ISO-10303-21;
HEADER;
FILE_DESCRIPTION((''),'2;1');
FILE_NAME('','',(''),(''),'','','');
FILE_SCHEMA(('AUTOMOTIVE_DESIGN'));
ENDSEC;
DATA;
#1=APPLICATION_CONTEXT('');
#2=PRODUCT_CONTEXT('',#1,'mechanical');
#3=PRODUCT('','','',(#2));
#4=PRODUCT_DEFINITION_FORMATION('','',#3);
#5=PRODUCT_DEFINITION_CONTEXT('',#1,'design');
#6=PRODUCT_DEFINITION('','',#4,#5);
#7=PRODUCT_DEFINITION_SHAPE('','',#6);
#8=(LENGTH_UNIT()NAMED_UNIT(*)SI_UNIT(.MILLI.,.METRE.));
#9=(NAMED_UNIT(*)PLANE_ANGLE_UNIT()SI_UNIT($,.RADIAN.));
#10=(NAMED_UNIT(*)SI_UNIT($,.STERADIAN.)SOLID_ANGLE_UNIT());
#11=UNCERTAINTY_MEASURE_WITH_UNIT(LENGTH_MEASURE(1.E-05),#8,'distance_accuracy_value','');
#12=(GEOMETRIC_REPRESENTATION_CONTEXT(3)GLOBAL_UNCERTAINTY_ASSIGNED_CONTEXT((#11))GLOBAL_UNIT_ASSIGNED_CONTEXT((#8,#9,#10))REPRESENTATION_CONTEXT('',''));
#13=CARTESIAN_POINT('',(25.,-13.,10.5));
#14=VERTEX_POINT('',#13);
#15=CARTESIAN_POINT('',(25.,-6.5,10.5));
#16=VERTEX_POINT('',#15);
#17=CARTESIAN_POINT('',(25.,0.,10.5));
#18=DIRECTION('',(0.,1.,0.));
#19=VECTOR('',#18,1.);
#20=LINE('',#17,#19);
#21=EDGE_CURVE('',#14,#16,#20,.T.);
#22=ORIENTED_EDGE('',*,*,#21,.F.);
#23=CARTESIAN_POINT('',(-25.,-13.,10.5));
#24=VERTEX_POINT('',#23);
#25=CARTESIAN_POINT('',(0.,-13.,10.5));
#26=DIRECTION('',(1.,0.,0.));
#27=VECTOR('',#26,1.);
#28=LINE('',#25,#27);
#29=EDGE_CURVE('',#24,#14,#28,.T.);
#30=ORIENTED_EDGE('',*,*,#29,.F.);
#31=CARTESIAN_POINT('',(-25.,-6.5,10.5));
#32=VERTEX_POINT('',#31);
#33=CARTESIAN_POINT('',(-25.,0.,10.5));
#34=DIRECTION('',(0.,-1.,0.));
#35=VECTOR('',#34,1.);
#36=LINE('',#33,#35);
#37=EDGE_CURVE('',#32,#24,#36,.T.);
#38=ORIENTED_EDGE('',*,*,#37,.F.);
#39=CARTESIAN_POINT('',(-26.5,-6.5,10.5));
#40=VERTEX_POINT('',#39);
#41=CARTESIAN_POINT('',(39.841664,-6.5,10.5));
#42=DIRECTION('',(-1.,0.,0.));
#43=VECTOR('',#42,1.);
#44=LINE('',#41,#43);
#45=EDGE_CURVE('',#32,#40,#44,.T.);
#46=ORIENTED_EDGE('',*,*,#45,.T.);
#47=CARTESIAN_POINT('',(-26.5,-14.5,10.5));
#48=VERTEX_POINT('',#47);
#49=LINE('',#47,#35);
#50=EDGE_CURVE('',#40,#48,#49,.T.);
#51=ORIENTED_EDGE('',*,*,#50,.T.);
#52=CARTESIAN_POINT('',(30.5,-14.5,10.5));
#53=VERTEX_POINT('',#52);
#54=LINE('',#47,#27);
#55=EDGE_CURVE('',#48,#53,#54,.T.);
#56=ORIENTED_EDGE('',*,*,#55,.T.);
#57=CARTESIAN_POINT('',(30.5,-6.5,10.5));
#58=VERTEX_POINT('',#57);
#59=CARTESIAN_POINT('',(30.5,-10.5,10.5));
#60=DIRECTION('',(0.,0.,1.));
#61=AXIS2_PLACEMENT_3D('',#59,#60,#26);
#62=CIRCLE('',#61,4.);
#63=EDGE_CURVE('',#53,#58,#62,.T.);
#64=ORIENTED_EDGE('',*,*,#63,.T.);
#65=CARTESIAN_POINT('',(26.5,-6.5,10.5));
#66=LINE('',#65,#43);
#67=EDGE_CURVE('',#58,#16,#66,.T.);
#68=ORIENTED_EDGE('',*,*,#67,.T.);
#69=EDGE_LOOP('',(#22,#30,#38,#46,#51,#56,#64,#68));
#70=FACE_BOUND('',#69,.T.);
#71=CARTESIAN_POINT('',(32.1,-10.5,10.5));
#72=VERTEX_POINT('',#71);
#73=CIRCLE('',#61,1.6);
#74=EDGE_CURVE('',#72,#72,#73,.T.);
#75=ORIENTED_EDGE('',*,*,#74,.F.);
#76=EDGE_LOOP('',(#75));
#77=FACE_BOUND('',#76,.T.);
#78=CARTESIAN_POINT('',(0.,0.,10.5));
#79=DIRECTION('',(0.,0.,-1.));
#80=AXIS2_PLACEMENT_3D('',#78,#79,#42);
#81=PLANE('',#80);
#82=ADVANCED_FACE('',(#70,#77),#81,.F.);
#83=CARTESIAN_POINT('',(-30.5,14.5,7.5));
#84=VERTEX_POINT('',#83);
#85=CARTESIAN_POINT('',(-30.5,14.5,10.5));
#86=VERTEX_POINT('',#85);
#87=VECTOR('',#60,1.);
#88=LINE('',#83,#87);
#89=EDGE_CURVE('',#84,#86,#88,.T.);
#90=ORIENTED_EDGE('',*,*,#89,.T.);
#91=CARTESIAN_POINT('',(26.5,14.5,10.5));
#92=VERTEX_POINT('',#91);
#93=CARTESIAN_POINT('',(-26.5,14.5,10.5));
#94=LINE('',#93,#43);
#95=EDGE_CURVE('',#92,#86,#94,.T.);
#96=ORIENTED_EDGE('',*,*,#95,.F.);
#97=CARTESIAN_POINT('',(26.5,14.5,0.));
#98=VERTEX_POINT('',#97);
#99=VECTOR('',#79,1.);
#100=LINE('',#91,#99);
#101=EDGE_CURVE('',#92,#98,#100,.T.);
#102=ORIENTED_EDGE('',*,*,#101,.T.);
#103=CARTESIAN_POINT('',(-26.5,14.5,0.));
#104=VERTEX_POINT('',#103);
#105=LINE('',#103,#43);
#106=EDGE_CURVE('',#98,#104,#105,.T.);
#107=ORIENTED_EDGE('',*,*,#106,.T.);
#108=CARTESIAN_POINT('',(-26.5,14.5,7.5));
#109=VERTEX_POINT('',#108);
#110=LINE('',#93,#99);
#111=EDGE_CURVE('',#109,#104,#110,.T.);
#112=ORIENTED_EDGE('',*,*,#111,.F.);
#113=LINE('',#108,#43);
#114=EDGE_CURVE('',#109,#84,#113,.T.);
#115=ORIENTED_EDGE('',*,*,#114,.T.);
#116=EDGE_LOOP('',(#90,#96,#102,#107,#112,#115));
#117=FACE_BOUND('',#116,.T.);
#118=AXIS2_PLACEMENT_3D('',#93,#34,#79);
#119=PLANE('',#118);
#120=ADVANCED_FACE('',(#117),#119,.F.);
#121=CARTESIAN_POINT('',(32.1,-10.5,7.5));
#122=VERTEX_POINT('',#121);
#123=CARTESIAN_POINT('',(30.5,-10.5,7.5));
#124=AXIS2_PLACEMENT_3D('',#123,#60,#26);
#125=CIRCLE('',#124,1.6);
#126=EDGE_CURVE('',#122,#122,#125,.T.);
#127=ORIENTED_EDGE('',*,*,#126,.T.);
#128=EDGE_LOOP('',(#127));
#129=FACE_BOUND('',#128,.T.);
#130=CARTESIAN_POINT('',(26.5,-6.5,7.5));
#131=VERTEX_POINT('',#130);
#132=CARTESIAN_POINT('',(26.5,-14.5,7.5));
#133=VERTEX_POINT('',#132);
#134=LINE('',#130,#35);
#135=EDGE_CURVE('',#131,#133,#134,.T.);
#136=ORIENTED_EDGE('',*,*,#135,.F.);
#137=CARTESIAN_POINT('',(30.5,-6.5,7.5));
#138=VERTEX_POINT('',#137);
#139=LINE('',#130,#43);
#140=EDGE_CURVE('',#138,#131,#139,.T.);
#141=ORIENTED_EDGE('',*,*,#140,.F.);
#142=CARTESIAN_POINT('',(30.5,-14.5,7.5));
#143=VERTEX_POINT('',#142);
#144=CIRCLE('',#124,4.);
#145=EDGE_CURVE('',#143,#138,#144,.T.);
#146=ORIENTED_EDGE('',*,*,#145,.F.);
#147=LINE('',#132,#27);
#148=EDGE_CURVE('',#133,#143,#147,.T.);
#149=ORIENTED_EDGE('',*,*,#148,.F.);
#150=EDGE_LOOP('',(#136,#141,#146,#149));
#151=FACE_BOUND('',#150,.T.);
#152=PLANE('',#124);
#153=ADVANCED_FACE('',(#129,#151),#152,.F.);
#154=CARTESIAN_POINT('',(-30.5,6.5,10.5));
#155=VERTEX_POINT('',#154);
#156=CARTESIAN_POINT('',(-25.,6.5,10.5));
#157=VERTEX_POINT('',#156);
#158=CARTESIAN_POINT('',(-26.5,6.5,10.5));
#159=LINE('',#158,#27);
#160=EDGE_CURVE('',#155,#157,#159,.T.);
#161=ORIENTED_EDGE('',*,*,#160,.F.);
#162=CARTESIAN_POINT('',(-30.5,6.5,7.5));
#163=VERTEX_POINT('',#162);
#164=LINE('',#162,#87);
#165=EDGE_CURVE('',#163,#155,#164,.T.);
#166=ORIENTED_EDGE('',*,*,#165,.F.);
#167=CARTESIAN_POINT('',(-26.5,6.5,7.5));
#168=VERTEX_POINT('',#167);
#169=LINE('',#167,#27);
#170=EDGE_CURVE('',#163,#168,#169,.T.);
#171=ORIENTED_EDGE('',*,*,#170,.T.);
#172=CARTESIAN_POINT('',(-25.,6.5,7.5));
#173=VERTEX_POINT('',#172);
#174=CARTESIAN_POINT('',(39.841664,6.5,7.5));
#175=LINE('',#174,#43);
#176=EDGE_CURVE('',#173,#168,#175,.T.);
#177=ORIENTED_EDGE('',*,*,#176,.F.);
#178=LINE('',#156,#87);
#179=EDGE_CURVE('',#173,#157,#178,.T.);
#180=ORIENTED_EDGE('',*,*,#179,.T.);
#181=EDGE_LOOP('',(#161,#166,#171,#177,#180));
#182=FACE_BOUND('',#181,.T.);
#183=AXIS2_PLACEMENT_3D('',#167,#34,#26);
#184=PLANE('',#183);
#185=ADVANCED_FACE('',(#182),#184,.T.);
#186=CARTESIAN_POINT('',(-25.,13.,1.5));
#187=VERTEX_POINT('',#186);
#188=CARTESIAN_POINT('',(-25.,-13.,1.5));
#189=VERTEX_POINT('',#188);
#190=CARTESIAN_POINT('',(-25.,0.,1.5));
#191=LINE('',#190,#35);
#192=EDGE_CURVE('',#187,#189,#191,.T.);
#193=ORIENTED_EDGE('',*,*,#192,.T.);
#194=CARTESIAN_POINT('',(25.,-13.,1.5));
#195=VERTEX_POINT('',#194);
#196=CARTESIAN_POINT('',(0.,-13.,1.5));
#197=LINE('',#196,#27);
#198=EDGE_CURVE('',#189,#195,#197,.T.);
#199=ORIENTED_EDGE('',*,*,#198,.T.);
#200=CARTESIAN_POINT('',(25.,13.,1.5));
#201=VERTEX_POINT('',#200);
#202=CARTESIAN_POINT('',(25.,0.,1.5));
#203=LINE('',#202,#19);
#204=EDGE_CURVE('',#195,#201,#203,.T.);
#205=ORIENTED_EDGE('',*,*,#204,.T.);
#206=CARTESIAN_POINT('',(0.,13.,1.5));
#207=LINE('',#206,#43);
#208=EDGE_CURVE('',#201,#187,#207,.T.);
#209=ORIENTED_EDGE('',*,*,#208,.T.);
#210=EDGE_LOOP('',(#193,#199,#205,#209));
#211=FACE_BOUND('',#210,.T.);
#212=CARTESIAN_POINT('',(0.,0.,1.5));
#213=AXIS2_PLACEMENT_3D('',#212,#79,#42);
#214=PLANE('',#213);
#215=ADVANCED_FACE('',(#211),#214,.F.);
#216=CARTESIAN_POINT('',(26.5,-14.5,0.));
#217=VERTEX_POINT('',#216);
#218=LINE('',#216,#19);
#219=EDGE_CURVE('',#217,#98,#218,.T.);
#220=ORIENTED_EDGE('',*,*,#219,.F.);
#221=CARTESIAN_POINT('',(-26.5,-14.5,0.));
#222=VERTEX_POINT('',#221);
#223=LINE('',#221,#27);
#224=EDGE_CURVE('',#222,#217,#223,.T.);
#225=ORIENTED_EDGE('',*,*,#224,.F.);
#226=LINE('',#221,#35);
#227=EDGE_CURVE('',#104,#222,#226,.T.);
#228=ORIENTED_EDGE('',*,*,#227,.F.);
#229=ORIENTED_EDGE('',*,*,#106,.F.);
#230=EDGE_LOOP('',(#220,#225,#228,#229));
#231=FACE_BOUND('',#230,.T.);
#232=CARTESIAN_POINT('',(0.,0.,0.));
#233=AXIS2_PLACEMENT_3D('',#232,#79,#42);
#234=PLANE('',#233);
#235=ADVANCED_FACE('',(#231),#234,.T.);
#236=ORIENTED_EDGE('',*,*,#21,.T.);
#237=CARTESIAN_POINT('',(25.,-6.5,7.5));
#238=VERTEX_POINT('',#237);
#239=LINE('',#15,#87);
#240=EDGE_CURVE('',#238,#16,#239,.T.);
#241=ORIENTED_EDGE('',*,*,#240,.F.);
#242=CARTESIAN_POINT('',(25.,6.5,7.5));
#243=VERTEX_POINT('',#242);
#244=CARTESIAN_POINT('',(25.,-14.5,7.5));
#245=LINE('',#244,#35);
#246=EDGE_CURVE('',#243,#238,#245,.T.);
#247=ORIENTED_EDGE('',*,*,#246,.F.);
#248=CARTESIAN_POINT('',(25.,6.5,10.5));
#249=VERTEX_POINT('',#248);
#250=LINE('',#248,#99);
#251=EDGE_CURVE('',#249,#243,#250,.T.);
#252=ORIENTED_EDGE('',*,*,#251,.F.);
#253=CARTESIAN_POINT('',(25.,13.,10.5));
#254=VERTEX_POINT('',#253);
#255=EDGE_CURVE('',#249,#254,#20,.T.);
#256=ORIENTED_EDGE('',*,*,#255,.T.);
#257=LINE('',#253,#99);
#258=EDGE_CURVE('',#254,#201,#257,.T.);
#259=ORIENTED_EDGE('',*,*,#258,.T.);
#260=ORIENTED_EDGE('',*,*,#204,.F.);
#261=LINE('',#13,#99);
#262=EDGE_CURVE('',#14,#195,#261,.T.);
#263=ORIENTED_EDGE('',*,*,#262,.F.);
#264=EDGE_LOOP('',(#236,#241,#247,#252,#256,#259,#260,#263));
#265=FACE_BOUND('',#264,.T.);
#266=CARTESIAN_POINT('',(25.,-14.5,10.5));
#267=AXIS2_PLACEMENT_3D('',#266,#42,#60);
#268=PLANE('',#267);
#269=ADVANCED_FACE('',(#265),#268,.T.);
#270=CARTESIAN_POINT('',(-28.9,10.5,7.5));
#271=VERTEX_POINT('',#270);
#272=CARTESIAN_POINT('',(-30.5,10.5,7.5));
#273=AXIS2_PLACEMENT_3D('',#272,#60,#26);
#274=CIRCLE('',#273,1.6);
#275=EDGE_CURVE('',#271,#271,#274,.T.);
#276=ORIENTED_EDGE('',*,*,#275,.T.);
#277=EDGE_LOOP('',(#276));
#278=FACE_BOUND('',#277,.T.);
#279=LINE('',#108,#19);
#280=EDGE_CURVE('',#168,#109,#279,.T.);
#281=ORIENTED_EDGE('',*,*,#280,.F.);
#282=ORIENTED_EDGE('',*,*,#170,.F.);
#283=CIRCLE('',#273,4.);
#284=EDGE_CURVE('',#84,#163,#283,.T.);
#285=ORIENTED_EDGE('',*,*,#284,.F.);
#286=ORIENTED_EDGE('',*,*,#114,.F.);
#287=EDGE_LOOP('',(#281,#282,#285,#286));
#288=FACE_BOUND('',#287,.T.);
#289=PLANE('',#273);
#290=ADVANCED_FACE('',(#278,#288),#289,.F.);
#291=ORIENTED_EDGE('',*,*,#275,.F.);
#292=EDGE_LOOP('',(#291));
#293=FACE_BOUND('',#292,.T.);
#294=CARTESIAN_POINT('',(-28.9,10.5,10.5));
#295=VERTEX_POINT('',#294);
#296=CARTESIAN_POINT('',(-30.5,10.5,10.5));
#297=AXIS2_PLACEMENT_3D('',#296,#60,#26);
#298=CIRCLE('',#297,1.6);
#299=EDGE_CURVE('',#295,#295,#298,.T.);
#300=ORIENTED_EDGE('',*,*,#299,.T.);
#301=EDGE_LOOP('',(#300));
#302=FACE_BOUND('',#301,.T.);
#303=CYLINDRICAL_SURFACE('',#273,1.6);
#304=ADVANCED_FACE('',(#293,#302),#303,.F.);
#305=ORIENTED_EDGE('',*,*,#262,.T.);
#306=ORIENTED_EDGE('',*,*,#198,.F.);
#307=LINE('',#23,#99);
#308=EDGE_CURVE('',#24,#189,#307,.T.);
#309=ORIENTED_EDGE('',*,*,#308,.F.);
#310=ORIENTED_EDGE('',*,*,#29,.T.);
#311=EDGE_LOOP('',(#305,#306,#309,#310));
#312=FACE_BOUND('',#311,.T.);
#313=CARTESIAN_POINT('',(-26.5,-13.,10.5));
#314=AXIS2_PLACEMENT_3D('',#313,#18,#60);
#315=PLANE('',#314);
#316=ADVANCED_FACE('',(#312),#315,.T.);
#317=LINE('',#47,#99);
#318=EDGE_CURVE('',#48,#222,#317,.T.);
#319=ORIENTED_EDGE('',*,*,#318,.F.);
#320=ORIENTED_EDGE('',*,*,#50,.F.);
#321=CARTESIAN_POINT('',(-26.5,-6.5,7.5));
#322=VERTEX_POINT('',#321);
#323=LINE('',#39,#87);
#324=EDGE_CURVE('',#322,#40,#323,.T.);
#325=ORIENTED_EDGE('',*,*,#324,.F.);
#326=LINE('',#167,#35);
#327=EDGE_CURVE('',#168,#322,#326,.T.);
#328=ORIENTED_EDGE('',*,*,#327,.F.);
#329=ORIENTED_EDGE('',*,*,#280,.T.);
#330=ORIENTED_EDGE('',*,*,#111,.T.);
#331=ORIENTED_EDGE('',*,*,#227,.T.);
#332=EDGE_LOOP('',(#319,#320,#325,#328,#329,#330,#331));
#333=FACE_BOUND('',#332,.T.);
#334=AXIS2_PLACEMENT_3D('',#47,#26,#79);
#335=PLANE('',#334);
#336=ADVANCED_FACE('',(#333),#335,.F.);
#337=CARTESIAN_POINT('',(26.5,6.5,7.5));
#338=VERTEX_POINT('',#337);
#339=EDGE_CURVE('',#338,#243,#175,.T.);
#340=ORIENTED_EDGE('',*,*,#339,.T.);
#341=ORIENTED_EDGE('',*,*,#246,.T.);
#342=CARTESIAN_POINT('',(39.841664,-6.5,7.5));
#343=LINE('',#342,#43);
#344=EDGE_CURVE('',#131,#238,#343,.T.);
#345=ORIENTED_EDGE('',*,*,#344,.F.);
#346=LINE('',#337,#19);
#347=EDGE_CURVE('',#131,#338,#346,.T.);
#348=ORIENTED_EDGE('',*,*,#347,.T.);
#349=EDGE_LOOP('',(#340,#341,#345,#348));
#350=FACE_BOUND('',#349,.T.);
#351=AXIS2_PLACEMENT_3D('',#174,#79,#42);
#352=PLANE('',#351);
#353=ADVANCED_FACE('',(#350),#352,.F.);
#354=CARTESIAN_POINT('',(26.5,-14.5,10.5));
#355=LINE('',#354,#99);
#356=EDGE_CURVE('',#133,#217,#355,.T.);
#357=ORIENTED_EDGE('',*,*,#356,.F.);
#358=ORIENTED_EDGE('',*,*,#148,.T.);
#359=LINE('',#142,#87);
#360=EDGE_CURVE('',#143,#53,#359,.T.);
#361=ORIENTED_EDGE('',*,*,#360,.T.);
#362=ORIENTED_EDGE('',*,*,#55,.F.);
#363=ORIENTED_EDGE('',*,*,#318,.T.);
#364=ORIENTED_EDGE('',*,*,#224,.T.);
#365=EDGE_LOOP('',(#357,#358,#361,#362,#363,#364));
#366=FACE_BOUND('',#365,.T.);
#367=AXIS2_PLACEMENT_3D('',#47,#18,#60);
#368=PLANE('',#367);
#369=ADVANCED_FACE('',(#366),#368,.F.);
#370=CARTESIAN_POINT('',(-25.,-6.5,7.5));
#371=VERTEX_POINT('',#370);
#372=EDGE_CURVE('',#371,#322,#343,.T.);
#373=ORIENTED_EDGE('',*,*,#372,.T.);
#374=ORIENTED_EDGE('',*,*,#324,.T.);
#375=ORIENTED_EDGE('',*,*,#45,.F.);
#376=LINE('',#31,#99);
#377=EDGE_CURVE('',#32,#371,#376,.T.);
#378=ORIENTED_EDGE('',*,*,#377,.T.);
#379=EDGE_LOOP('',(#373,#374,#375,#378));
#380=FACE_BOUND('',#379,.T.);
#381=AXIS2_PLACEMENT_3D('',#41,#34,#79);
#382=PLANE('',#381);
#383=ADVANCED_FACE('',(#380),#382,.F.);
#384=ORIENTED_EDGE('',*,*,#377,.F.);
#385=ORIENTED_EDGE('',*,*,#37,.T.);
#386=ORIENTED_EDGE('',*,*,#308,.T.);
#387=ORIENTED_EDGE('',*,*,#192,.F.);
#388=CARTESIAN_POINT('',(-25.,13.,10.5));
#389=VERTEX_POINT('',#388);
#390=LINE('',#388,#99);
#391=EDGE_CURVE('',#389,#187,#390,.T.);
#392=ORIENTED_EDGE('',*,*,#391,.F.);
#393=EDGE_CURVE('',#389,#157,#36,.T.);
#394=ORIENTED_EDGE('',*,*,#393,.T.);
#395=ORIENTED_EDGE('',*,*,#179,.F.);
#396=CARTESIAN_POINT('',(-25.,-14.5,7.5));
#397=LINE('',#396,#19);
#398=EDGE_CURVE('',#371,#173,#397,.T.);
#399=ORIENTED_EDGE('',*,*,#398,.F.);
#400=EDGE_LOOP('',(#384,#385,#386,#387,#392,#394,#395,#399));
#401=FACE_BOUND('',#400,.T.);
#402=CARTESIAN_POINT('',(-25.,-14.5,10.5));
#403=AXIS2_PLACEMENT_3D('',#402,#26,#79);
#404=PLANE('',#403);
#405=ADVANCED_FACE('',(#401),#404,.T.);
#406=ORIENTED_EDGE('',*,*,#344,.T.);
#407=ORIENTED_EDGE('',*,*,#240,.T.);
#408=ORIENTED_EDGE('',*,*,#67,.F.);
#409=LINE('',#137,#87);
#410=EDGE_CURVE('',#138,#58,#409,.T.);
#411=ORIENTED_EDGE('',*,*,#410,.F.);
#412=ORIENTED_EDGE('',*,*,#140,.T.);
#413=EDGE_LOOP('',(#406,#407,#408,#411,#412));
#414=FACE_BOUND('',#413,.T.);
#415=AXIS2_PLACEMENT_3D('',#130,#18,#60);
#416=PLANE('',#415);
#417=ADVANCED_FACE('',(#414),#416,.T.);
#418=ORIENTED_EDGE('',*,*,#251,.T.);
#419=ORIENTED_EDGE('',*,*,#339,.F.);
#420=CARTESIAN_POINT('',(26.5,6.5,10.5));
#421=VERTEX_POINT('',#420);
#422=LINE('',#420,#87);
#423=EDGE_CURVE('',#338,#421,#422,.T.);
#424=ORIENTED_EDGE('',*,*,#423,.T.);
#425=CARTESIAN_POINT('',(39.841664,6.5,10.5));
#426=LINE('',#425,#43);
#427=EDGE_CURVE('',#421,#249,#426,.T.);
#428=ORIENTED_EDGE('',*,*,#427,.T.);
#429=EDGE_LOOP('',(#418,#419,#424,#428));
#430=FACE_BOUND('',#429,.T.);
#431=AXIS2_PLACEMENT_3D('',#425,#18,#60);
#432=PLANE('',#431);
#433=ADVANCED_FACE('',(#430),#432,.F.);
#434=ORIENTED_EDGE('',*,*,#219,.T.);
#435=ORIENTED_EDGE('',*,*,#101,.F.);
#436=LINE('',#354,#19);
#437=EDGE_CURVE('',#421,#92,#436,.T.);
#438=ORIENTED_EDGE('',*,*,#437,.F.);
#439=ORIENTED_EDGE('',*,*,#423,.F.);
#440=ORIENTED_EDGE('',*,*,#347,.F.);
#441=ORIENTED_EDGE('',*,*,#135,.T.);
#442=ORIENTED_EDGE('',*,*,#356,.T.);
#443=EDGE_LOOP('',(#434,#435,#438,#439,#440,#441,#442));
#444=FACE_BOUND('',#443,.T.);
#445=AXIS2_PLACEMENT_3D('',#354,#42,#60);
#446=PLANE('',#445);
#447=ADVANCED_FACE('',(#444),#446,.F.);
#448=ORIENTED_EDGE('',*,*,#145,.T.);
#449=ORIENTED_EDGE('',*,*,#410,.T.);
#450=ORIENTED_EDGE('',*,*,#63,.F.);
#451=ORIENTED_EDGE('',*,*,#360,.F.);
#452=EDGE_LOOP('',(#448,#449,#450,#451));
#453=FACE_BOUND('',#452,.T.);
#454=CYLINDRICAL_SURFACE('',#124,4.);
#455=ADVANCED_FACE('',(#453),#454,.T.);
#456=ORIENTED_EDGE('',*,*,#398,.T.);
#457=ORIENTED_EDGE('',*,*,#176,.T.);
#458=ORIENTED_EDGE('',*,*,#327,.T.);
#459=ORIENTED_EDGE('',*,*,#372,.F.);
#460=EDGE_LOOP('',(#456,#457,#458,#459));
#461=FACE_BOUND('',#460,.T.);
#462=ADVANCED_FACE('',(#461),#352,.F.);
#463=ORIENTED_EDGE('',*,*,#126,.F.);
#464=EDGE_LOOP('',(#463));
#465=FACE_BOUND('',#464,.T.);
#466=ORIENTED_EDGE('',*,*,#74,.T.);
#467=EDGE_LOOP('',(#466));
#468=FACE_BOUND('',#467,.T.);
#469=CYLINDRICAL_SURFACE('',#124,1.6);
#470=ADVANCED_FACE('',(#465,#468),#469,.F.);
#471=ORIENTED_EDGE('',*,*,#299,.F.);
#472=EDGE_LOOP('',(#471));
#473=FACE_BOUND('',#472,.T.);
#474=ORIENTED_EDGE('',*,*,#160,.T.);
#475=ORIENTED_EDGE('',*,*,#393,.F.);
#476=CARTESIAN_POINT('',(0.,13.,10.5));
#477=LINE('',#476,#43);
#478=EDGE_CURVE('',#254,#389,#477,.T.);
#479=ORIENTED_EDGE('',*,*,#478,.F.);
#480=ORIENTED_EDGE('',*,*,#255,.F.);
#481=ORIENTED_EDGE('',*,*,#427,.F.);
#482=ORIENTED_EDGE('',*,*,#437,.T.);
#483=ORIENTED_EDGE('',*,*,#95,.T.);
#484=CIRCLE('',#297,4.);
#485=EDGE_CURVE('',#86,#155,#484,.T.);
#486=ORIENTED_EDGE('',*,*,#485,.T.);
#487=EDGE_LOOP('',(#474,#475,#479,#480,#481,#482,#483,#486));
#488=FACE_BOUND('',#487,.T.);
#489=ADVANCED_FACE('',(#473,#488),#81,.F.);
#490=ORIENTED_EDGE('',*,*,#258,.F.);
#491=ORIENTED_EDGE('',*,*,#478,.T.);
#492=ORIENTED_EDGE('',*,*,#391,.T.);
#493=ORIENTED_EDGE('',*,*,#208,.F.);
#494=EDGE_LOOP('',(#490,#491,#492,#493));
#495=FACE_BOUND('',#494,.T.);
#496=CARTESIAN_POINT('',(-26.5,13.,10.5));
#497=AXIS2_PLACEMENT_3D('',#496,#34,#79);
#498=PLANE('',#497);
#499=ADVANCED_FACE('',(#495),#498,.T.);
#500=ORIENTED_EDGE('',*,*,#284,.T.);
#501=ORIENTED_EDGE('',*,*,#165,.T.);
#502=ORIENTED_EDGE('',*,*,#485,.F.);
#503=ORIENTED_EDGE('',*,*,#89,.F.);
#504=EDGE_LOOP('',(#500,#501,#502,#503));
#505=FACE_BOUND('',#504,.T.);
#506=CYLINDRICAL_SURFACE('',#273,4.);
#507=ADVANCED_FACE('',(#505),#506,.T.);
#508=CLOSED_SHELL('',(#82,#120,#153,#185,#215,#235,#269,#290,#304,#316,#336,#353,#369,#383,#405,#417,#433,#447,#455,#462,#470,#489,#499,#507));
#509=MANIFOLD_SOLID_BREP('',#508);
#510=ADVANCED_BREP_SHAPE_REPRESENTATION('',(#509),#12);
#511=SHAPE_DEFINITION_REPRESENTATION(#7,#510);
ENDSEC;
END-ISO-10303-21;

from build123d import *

# Parameters (mm, degrees)
SKETCH_1_W          = 53
SKETCH_1_H          = 29
EXTRUDE_1_DEPTH     = 10.5
SHELL_1_T           = -1.5
SKETCH_3_R          = 1.6
EXTRUDE_2_DEPTH     = 3
SKETCH_4_W          = 3
SKETCH_4_H          = 13
CUT_EXTRUDE_1_DEPTH = 53


with BuildPart() as part:
    # 草图1 → 凸台-拉伸1 (new body)
    with BuildSketch(Plane.XY):
        Rectangle(SKETCH_1_W, SKETCH_1_H)
    extrude(amount=EXTRUDE_1_DEPTH)

    # 抽壳1
    shell_1_openings = [part.faces().sort_by_distance(p)[0] for p in [
        (0, 0, 10.5),
    ]]
    offset(amount=SHELL_1_T, openings=shell_1_openings, kind=Kind.INTERSECTION)

    # 草图3 → 凸台-拉伸2 (add)
    # profile 1 of 2: a face of its own
    with BuildSketch(Plane.XY.offset(10.5)):
        with BuildLine():
            Line((-26.5, 6.5), (-30.5, 6.5))
            ThreePointArc((-30.5, 6.5), (-34.5, 10.5), (-30.5, 14.5))
            Line((-30.5, 14.5), (-26.5, 14.5))
            Line((-26.5, 14.5), (-26.5, 6.5))
        make_face()
        with Locations((-30.5, 10.5)):
            Circle(SKETCH_3_R, mode=Mode.SUBTRACT)
    # profile 2 of 2: a face of its own
    with BuildSketch(Plane.XY.offset(10.5)):
        with BuildLine():
            Line((26.5, -6.5), (30.5, -6.5))
            ThreePointArc((30.5, -6.5), (34.5, -10.5), (30.5, -14.5))
            Line((30.5, -14.5), (26.5, -14.5))
            Line((26.5, -14.5), (26.5, -6.5))
        make_face()
        with Locations((30.5, -10.5)):
            Circle(SKETCH_3_R, mode=Mode.SUBTRACT)
    extrude(amount=-EXTRUDE_2_DEPTH)

    # 草图4 → 切除-拉伸1 (cut)
    with BuildSketch(Plane.ZY.offset(26.5)):
        with Locations((9, 0)):
            Rectangle(SKETCH_4_W, SKETCH_4_H)
    extrude(amount=-CUT_EXTRUDE_1_DEPTH, mode=Mode.SUBTRACT)


solid = part.part
